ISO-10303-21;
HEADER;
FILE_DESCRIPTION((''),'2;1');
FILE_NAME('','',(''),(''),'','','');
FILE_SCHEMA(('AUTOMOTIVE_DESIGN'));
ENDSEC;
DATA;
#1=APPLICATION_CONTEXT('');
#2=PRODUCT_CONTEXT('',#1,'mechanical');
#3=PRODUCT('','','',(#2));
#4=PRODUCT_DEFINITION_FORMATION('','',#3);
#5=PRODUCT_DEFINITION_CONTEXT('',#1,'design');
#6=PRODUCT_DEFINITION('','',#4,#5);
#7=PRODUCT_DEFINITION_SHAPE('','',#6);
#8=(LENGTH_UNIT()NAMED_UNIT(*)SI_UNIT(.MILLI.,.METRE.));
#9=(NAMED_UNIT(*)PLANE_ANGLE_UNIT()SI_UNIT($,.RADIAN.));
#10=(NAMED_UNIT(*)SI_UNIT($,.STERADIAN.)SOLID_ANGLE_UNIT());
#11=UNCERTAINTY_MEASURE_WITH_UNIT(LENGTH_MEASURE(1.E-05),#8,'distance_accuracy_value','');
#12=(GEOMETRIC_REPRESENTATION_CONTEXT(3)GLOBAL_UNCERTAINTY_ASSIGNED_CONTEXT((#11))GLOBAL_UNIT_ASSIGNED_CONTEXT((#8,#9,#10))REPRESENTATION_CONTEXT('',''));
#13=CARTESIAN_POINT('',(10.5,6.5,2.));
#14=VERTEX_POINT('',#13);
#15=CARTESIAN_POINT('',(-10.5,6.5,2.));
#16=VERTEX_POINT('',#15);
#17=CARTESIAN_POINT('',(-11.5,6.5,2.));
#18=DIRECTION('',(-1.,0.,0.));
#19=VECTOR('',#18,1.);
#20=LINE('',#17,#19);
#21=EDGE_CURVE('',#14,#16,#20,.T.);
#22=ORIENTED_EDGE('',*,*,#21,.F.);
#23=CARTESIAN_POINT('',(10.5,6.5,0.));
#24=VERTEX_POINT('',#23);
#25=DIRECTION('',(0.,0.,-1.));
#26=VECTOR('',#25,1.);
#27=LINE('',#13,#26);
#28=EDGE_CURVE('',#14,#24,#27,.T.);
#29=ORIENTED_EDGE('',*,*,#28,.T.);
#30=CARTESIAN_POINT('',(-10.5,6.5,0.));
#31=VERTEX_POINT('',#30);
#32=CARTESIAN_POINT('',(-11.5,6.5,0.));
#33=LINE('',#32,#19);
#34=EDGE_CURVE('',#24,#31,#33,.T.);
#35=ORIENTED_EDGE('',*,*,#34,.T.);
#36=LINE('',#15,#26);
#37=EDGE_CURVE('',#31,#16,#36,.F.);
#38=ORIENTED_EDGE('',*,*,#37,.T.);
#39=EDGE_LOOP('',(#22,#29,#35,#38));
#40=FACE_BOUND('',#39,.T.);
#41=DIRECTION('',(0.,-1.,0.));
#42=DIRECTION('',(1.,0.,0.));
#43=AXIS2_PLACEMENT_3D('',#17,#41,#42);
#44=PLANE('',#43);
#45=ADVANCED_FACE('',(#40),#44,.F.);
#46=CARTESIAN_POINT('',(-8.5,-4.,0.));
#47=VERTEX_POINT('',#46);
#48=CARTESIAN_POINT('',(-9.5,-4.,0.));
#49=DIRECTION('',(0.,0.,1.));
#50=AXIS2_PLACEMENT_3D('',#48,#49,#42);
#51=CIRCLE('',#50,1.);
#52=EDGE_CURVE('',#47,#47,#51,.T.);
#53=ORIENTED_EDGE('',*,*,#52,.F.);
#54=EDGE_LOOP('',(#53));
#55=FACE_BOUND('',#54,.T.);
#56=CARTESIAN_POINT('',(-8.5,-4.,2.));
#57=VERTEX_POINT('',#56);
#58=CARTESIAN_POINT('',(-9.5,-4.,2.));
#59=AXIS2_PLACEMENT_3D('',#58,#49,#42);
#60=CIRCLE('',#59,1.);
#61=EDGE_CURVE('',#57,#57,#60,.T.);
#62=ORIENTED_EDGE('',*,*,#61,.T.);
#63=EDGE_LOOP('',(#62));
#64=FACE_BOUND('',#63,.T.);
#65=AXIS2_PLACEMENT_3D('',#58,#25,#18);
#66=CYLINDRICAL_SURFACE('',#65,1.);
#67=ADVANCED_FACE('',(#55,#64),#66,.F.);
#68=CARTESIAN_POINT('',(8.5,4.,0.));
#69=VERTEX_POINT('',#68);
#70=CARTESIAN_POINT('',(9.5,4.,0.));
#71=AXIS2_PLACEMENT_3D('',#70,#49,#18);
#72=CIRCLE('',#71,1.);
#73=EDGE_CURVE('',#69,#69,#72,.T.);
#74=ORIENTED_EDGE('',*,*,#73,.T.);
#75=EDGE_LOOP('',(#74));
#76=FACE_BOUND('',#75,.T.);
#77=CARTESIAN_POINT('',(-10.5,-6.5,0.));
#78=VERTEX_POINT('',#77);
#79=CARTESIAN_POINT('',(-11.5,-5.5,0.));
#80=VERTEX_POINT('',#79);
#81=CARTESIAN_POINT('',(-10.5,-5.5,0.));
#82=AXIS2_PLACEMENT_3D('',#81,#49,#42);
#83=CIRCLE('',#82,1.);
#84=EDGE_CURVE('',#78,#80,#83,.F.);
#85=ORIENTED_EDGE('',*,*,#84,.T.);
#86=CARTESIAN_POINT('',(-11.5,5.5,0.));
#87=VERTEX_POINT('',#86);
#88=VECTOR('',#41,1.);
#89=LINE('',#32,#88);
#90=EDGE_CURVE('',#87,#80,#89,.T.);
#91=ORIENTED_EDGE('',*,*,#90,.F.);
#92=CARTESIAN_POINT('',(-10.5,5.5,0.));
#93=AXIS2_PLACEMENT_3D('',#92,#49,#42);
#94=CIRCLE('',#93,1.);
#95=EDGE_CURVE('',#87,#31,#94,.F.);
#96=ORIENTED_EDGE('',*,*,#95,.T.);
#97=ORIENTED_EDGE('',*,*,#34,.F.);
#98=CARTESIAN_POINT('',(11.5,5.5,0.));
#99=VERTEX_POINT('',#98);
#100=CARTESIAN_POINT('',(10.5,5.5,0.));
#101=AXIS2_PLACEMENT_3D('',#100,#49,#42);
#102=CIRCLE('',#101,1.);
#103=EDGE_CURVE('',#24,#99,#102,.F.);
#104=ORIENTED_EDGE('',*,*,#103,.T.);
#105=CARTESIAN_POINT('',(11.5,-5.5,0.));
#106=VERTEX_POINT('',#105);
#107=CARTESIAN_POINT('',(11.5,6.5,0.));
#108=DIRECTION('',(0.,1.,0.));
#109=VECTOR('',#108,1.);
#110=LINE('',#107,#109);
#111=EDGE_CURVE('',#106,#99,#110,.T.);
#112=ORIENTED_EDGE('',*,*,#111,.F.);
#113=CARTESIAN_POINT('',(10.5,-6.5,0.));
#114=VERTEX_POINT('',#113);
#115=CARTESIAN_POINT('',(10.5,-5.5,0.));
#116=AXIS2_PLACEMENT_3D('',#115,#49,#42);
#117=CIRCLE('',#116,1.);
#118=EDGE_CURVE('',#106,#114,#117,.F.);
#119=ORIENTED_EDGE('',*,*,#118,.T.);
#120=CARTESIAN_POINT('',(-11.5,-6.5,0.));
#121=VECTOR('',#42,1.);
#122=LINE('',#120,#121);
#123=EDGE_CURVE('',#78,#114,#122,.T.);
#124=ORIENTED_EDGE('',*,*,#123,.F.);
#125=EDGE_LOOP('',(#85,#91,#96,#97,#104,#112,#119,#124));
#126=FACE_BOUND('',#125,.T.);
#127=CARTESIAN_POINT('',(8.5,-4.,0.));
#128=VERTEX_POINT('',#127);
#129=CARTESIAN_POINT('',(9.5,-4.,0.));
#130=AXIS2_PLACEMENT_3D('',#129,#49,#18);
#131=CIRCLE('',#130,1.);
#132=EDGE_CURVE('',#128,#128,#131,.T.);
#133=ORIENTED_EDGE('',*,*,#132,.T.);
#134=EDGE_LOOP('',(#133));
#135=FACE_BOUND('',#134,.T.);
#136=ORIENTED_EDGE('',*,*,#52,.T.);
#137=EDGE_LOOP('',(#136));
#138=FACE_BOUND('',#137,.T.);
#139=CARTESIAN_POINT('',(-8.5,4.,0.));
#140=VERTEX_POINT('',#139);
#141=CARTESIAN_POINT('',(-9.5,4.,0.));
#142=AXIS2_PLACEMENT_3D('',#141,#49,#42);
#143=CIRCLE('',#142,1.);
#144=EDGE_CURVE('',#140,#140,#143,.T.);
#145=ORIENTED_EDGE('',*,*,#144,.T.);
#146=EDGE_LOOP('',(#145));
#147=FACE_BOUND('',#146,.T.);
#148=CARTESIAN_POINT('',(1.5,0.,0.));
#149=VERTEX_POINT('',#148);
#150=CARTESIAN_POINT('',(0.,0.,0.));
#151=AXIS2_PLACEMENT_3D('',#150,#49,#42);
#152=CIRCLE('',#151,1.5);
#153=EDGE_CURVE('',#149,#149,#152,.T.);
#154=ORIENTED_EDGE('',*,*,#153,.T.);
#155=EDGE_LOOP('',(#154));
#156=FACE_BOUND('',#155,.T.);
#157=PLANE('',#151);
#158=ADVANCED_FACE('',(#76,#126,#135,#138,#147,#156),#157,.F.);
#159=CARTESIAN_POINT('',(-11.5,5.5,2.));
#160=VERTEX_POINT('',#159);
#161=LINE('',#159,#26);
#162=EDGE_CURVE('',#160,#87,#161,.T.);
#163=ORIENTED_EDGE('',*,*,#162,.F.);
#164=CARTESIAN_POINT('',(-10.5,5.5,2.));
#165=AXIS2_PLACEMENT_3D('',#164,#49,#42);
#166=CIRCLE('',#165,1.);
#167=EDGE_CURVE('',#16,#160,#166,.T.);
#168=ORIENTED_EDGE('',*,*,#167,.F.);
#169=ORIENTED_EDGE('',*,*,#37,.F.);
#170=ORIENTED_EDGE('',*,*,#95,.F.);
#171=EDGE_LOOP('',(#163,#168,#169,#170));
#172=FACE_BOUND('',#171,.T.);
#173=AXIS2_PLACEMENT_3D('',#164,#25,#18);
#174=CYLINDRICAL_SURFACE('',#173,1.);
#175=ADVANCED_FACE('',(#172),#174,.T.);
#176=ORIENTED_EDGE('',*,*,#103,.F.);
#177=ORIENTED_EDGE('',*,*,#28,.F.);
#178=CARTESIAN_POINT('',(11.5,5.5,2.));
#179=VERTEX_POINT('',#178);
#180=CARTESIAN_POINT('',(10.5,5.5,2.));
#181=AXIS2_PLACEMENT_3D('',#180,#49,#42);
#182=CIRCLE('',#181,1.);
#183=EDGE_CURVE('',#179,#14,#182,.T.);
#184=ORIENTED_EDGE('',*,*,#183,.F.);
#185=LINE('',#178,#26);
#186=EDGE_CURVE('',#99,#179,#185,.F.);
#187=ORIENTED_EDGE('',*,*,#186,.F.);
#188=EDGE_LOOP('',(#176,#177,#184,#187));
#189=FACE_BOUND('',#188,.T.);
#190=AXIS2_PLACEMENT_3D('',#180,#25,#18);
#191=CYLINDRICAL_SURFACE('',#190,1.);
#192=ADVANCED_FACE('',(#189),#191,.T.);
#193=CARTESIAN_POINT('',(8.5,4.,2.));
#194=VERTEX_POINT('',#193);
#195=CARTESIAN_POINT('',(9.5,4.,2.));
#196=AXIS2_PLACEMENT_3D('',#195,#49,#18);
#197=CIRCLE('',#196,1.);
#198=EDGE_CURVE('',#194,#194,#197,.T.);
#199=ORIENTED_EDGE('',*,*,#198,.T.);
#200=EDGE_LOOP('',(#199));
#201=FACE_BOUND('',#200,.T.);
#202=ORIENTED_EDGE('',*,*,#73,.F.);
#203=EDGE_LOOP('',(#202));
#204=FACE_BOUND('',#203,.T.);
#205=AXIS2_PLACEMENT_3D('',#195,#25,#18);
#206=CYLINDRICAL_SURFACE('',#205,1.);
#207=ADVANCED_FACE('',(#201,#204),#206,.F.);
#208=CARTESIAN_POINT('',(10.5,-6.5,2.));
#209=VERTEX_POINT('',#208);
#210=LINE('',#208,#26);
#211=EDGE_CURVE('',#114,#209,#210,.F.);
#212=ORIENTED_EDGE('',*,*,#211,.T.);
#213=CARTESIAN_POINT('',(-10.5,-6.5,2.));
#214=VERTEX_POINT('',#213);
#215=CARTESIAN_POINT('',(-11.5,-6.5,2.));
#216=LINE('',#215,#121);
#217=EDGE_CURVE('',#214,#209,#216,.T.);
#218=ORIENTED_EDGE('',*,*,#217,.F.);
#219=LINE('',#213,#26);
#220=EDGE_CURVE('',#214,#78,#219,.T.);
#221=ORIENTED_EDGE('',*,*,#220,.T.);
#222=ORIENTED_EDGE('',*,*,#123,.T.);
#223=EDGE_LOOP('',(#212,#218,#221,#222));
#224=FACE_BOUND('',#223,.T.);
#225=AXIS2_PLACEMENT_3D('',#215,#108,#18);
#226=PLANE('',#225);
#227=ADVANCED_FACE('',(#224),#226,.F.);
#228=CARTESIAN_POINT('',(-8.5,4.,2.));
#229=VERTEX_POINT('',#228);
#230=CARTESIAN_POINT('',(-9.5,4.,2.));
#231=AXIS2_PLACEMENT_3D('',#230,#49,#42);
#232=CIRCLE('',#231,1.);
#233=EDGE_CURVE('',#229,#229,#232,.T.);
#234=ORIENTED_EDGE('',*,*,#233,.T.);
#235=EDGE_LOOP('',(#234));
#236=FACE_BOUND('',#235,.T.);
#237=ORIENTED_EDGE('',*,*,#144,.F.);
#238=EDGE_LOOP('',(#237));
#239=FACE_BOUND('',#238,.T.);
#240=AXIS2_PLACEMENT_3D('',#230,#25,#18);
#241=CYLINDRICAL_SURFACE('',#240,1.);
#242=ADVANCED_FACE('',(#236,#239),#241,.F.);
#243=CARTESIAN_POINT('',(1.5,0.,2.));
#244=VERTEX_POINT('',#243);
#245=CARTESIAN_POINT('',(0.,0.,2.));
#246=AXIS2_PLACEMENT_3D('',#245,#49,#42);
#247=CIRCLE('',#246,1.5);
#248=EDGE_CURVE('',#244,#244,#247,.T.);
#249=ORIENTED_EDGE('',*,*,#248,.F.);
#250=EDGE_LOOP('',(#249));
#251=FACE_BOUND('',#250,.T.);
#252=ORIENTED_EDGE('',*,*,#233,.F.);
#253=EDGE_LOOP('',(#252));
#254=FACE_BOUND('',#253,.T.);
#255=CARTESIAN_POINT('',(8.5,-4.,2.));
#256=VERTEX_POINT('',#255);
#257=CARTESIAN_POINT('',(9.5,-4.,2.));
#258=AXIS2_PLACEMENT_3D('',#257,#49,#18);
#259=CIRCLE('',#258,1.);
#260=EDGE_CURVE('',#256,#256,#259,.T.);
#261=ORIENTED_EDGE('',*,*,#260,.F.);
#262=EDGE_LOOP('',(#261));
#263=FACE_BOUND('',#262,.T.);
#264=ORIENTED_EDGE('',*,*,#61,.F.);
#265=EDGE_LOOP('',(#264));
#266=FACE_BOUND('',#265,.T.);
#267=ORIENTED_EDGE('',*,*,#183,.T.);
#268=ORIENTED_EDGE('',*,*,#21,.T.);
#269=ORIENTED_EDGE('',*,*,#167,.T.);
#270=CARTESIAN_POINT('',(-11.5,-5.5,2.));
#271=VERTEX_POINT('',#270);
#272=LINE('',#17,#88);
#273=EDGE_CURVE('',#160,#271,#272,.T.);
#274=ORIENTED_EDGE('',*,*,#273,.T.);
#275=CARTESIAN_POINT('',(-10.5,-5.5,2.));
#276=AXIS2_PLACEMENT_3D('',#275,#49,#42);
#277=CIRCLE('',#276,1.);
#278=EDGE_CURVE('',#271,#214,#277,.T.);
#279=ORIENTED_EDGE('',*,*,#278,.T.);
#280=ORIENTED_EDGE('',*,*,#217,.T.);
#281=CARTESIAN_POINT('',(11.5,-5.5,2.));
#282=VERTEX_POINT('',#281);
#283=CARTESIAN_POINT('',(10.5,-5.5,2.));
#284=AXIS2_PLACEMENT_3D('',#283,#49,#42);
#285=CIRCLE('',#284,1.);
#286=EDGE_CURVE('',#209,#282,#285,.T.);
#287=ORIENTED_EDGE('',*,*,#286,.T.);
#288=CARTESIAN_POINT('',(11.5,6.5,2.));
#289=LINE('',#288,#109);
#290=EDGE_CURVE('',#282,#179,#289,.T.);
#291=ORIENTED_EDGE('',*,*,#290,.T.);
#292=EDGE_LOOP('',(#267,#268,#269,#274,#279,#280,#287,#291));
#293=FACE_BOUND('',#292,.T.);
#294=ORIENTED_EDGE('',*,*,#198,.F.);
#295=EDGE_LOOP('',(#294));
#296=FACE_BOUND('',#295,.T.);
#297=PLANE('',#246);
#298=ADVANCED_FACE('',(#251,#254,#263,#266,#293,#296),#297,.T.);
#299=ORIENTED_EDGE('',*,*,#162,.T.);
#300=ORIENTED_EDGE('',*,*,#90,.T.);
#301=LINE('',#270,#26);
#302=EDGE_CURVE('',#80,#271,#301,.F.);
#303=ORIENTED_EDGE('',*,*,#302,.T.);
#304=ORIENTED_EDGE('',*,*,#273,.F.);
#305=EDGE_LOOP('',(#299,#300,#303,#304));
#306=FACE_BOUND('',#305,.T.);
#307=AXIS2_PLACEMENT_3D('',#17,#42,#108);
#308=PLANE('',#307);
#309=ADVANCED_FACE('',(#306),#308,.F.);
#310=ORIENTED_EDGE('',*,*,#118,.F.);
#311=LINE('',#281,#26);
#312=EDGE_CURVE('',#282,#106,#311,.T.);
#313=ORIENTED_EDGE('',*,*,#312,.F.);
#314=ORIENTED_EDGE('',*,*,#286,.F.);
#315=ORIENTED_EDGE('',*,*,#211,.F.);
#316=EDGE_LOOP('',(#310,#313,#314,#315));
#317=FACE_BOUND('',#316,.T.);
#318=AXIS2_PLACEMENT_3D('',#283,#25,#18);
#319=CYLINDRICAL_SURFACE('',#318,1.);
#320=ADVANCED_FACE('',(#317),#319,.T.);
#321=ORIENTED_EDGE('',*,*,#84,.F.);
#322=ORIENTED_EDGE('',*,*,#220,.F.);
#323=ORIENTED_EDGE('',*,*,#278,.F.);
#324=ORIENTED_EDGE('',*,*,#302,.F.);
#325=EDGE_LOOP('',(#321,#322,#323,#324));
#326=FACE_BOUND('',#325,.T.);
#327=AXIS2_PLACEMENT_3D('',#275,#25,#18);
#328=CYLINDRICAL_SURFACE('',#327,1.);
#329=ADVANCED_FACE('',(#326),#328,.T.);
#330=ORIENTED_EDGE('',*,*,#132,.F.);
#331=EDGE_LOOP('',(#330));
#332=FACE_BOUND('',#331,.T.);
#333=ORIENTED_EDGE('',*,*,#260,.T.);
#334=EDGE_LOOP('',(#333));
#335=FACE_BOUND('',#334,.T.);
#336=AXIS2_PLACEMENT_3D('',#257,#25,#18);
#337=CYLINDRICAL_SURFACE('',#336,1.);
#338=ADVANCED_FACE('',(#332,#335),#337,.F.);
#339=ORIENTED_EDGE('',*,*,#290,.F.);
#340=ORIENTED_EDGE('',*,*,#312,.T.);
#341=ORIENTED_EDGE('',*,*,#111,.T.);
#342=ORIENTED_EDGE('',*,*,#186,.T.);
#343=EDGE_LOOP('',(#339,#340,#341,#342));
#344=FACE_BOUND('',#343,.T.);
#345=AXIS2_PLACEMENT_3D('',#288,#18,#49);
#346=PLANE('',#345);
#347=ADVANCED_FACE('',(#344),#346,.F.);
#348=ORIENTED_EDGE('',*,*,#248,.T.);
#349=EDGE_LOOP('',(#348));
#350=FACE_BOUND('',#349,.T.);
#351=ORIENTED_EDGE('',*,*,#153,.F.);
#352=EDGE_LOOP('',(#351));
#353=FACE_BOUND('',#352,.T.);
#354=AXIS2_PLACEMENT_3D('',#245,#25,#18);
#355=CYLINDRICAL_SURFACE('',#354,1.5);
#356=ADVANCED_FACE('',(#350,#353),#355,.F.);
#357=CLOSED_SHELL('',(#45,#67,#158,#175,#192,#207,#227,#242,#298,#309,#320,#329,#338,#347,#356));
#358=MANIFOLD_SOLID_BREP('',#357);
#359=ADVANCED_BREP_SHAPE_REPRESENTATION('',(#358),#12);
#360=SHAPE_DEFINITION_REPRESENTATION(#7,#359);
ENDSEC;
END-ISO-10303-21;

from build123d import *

# Parameters (mm, degrees)
SKETCH_1_W      = 23
SKETCH_1_H      = 13
SKETCH_1_R      = 1
SKETCH_1_R_2    = 1.5
EXTRUDE_1_DEPTH = 2
FILLET_1_R      = 1


with BuildPart() as part:
    # 草图1 → 凸台-拉伸1 (new body)
    with BuildSketch(Plane.XY):
        Rectangle(SKETCH_1_W, SKETCH_1_H)
        with Locations((-9.5, 4)):
            Circle(SKETCH_1_R, mode=Mode.SUBTRACT)
        with Locations((-9.5, -4)):
            Circle(SKETCH_1_R, mode=Mode.SUBTRACT)
        with Locations(Location((9.5, -4, 0), (0, 0, 180))):
            Circle(SKETCH_1_R, mode=Mode.SUBTRACT)
        with Locations(Location((9.5, 4, 0), (0, 0, 180))):
            Circle(SKETCH_1_R, mode=Mode.SUBTRACT)
        Circle(SKETCH_1_R_2, mode=Mode.SUBTRACT)
    extrude(amount=EXTRUDE_1_DEPTH)

    # 圆角1
    fillet_1_edges = [part.edges().sort_by_distance(p)[0] for p in [
        (11.5, -6.5, 1),
        (-11.5, -6.5, 1),
        (-11.5, 6.5, 1),
        (11.5, 6.5, 1),
    ]]
    fillet(fillet_1_edges, radius=FILLET_1_R)


solid = part.part
